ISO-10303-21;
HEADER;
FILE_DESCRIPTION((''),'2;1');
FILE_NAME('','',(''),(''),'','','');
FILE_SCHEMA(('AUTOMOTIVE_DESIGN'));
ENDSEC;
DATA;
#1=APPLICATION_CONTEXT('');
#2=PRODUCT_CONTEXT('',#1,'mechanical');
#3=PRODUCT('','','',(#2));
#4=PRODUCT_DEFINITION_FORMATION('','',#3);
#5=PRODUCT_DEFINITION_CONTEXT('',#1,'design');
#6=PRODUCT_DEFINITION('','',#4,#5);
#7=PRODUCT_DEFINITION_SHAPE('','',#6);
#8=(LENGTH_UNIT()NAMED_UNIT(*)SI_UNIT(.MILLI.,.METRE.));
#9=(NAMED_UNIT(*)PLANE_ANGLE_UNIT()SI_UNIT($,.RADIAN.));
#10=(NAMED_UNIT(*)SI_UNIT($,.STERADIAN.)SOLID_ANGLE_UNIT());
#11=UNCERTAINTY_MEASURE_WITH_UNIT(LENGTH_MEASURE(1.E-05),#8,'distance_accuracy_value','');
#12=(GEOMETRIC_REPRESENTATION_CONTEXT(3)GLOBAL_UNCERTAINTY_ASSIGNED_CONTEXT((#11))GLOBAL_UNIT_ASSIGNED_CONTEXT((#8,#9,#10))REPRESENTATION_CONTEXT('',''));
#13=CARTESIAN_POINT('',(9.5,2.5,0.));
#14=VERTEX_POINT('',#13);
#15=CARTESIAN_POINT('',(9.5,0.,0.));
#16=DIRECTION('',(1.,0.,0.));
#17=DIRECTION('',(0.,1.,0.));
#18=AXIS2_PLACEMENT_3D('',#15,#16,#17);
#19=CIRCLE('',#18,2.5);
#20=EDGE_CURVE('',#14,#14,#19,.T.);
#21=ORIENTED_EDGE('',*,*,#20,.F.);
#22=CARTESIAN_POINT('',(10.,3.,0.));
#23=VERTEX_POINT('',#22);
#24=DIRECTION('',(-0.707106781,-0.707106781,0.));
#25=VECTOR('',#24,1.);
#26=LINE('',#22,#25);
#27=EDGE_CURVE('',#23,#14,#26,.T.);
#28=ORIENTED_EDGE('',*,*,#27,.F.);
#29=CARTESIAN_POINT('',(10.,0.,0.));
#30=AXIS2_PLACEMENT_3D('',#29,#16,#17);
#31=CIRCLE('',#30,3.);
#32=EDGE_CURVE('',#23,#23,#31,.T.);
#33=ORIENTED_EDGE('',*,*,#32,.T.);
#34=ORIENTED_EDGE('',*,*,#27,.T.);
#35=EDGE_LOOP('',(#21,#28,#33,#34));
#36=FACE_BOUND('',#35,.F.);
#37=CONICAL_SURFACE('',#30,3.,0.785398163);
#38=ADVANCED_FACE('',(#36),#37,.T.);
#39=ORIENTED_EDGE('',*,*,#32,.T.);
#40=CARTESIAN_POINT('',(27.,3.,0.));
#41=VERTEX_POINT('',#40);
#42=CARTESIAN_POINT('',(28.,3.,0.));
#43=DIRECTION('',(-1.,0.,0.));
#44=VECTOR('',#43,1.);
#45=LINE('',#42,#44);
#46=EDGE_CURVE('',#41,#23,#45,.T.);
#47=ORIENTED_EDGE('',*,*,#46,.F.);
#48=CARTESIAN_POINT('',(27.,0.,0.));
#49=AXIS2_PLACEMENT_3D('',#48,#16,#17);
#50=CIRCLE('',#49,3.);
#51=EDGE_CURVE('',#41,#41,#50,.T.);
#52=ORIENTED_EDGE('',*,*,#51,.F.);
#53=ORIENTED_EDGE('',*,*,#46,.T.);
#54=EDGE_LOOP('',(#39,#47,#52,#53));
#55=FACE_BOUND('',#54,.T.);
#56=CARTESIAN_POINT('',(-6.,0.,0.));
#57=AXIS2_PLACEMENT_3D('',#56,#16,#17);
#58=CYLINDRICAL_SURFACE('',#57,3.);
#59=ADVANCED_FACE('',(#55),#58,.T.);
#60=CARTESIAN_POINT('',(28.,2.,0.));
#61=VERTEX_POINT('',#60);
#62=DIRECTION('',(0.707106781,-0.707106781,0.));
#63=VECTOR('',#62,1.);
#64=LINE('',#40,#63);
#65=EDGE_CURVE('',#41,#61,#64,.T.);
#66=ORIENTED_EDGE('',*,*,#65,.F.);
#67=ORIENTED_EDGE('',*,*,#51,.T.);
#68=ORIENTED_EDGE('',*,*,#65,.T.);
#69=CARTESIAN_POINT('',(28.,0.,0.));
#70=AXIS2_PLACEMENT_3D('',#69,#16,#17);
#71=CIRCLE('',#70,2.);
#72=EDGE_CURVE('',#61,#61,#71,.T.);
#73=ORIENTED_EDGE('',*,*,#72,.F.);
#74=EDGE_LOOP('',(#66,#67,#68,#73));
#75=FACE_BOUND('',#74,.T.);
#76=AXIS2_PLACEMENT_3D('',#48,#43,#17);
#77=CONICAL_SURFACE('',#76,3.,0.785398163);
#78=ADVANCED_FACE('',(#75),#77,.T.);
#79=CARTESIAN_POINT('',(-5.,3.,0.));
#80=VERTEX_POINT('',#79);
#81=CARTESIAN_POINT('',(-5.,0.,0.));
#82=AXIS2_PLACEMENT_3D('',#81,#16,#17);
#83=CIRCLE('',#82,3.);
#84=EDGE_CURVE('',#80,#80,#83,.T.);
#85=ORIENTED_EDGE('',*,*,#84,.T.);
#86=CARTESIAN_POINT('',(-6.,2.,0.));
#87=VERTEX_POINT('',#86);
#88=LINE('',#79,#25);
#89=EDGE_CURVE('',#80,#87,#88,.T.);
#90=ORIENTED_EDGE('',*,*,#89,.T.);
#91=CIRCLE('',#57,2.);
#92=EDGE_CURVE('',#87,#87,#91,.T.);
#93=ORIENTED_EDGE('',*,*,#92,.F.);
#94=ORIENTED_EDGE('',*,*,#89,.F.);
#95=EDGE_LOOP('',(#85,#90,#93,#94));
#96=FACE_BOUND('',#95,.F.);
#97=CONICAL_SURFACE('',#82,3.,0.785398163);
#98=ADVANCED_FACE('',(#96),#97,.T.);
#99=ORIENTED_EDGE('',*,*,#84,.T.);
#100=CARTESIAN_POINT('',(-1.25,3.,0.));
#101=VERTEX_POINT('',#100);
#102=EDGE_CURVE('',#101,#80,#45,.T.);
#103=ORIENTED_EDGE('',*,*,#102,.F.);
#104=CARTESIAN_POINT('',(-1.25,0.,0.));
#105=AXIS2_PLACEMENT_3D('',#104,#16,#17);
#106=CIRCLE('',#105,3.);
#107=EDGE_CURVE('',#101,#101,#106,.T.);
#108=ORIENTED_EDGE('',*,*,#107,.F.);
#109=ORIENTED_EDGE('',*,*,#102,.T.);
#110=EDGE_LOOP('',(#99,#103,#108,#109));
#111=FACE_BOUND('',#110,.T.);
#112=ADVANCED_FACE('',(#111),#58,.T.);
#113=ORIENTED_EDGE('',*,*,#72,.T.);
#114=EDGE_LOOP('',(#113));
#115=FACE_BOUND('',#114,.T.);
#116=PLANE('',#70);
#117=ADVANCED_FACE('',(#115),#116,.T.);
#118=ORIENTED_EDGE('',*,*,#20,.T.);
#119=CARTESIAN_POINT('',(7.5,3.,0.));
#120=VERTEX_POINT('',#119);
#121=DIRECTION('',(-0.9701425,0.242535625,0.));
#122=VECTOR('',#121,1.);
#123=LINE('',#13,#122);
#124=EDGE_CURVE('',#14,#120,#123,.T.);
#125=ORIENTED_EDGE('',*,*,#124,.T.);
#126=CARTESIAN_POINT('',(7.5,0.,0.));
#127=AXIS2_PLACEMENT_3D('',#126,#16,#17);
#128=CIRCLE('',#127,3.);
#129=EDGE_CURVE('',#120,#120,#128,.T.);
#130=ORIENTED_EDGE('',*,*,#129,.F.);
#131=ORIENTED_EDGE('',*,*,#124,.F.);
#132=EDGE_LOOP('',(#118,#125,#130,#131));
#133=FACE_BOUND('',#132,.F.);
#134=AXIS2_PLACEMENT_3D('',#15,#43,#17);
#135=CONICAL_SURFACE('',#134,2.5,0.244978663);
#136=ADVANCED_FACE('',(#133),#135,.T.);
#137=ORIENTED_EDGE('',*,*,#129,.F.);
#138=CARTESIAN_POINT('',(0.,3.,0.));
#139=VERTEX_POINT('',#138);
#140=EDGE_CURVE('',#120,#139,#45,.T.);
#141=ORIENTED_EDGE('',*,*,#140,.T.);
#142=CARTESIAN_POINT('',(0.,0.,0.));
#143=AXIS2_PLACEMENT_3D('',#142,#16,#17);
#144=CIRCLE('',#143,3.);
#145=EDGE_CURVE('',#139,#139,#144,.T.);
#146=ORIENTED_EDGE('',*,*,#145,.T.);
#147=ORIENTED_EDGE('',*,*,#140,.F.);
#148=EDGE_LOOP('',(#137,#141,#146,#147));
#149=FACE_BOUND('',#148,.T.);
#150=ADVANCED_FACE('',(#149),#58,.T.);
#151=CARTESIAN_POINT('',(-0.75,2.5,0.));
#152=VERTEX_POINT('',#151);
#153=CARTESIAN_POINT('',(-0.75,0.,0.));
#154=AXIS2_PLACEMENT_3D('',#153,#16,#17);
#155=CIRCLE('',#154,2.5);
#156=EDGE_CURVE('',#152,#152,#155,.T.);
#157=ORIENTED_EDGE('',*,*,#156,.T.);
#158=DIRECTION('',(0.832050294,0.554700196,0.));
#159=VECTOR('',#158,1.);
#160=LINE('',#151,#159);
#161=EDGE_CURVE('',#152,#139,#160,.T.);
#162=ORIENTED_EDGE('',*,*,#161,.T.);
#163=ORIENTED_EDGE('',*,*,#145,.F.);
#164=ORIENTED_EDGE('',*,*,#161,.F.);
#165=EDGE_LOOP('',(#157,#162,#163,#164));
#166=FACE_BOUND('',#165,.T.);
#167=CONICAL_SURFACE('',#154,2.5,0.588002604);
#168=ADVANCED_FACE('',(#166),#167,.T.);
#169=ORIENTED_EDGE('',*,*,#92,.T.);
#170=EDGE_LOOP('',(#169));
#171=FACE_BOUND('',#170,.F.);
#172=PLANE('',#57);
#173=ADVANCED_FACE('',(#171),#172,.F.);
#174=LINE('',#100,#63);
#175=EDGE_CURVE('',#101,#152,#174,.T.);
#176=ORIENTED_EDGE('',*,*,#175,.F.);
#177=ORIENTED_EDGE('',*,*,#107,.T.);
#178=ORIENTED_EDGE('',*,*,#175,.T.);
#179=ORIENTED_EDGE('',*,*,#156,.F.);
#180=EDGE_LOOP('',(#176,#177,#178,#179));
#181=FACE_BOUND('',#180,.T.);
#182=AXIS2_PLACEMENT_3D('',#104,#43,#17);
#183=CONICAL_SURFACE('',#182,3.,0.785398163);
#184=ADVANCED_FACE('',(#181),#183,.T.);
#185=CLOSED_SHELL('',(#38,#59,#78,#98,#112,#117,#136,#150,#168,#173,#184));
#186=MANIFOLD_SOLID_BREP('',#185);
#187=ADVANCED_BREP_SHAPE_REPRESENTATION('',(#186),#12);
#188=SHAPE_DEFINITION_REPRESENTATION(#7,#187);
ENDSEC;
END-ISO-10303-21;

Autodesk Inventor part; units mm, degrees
ref_plane "YZ Plane" through (0, 0, 0) normal (1, 0, 0) x (0, 1, 0)
ref_plane "XZ Plane" through (0, 0, 0) normal (0, 1, 0) x (-1, 0, 0)
sketch "Szkic1" plane through (0, 0, 0) normal (0, 0, 1) x (1, 0, 0)
  line L0 (28, 3) -> (28, 0)
  line L1 (-6, 0) -> (28, 0)
  line L2 (-12.8, 0) -> (34.8, 0) projected
  line L3 (0, 3.6) -> (0, -0.6) projected
  line L4 (-6, 3) -> (-6, 0)
  line L5 (10, 3) -> (10, 0) construction
  line L6 (-12.8, 0) -> (34.8, 0) projected
  line L7 (-6, 3) -> (28, 3)
  dimension "d4" = 6
  dimension "d5" = 28
  dimension "d6" = 18
  dimension "d13" = 6
revolve "Bryła" add sketch "Szkic1" angle 360 about axis through (-6, 0, 0) along (1, 0, 0)
thread "Gwint1" size "M6x1" class "6g" standard "ISO Metric profile" length 6
thread "Gwint2" size "M6x1" class "6g" standard "ISO Metric profile" length 18
chamfer "Faza1" distance 1 angle 45 1 edges at (-6, -3, 0) measured on face at (16.6667, 2.9903, -0.2414)
chamfer "Faza2" distance 1 angle 45 1 edges at (28, -3, 0) measured on face at (6, 2.9612, -0.4812)
sketch "Sketch5" plane through (0, 0, 0) normal (0, 0, 1) x (1, 0, 0)
  line L0 (-5, 3) -> (27, 3) projected
  line L1 (-5, -3) -> (27, -3) projected
  line L2 (28, 2) -> (28, -2) projected
  line L3 (-6, -2) -> (-6, 2) projected
  line L4 (10, 3) -> (9.5, 2.5)
  line L5 (9.5, 2.5) -> (7.5, 3)
  line L6 (-12.8, 0) -> (34.8, 0) projected
  point P0 (0, 0)
  dimension "d87" = 45
  dimension "d90" = 18
  dimension "d91" = 0.5
  dimension "d92" = 2.5
revolve "IDS_REVOLUTION{1}" cut sketch "Sketch5" angle 360 about axis through (-10, 0, 0) along (1, 0, 0)
sketch "Sketch6" plane through (0, 0, 0) normal (0, 0, 1) x (1, 0, 0)
  line L0 (-5, 3) -> (7.5, 3) projected
  line L1 (-6, -2) -> (-6, 2) projected
  line L2 (-1.25, 3) -> (-0.75, 2.5)
  line L3 (-0.75, 2.5) -> (0, 3)
  line L4 (-8.7, 0) -> (10.2, 0) projected
  point P0 (0, 0)
  dimension "d94" = 45
  dimension "d95" = 6
  dimension "d96" = 0.5
  dimension "d97" = 1.25
revolve "IDS_REVOLUTION{2}" cut sketch "Sketch6" angle 360 about axis through (-10, 0, 0) along (1, 0, 0)
ref_plane "Work Plane1" through (2.75, 0, 0) normal (0, -1, 0) x (1, 0, 0)
equation "\"d4\" = KOH"
equation "\"d5\" = NLG"
equation "\"d6\" = GEL"
equation "\"d13\" = GD"
equation "\"d1\" = KOH"
equation "\"d7\" = GEL"
equation "\"d9\" = -0.5 * SPD + 0.5 * GD"
equation "\"d10\" = -0.5 * SPD + 0.5 * GD"
equation "\"d11\" = -0.5 * SPD + 0.5 * GD"
equation "\"d12\" = -0.5 * SPD + 0.5 * GD"
equation "\"d90\" = GEL"
equation "\"d91\" = -0.25 * SPD + 0.25 * GD"
equation "\"d92\" = X1"
equation "\"d95\" = KOH"
equation "\"d96\" = -0.25 * SPD + 0.25 * GD"
equation "\"d97\" = X2"
equation "\"NLG\" = 28"
equation "\"GEL\" = 18"
equation "\"GAL\" = 0.61345 * PTC"
equation "\"SPD\" = 4"
equation "\"d0\" = GD"
equation "\"GUL\" = 0.61345 * PTC"
equation "\"KOH\" = 6"
equation "\"GD\" = 6"
equation "\"BDM\" = NND"
equation "\"GUL1\" = GUL"
equation "\"GAL1\" = GAL"
equation "\"d80\" = -GUL - GEL"
equation "\"d86\" = -KOH + GUL1"
equation "\"X1\" = 2.5"
equation "\"X2\" = 1.25"
equation "\"PTC\" = 1"
equation "\"THREADDIA\" = 6"
equation "\"TOA\" = 30deg"
equation "\"NND\" = 6"
equation "\"GD1\" = THREADDIA - 1.2269 * PTC"
properties part number "DIN 938 - M6 x 28" material "Stal, miękka"
